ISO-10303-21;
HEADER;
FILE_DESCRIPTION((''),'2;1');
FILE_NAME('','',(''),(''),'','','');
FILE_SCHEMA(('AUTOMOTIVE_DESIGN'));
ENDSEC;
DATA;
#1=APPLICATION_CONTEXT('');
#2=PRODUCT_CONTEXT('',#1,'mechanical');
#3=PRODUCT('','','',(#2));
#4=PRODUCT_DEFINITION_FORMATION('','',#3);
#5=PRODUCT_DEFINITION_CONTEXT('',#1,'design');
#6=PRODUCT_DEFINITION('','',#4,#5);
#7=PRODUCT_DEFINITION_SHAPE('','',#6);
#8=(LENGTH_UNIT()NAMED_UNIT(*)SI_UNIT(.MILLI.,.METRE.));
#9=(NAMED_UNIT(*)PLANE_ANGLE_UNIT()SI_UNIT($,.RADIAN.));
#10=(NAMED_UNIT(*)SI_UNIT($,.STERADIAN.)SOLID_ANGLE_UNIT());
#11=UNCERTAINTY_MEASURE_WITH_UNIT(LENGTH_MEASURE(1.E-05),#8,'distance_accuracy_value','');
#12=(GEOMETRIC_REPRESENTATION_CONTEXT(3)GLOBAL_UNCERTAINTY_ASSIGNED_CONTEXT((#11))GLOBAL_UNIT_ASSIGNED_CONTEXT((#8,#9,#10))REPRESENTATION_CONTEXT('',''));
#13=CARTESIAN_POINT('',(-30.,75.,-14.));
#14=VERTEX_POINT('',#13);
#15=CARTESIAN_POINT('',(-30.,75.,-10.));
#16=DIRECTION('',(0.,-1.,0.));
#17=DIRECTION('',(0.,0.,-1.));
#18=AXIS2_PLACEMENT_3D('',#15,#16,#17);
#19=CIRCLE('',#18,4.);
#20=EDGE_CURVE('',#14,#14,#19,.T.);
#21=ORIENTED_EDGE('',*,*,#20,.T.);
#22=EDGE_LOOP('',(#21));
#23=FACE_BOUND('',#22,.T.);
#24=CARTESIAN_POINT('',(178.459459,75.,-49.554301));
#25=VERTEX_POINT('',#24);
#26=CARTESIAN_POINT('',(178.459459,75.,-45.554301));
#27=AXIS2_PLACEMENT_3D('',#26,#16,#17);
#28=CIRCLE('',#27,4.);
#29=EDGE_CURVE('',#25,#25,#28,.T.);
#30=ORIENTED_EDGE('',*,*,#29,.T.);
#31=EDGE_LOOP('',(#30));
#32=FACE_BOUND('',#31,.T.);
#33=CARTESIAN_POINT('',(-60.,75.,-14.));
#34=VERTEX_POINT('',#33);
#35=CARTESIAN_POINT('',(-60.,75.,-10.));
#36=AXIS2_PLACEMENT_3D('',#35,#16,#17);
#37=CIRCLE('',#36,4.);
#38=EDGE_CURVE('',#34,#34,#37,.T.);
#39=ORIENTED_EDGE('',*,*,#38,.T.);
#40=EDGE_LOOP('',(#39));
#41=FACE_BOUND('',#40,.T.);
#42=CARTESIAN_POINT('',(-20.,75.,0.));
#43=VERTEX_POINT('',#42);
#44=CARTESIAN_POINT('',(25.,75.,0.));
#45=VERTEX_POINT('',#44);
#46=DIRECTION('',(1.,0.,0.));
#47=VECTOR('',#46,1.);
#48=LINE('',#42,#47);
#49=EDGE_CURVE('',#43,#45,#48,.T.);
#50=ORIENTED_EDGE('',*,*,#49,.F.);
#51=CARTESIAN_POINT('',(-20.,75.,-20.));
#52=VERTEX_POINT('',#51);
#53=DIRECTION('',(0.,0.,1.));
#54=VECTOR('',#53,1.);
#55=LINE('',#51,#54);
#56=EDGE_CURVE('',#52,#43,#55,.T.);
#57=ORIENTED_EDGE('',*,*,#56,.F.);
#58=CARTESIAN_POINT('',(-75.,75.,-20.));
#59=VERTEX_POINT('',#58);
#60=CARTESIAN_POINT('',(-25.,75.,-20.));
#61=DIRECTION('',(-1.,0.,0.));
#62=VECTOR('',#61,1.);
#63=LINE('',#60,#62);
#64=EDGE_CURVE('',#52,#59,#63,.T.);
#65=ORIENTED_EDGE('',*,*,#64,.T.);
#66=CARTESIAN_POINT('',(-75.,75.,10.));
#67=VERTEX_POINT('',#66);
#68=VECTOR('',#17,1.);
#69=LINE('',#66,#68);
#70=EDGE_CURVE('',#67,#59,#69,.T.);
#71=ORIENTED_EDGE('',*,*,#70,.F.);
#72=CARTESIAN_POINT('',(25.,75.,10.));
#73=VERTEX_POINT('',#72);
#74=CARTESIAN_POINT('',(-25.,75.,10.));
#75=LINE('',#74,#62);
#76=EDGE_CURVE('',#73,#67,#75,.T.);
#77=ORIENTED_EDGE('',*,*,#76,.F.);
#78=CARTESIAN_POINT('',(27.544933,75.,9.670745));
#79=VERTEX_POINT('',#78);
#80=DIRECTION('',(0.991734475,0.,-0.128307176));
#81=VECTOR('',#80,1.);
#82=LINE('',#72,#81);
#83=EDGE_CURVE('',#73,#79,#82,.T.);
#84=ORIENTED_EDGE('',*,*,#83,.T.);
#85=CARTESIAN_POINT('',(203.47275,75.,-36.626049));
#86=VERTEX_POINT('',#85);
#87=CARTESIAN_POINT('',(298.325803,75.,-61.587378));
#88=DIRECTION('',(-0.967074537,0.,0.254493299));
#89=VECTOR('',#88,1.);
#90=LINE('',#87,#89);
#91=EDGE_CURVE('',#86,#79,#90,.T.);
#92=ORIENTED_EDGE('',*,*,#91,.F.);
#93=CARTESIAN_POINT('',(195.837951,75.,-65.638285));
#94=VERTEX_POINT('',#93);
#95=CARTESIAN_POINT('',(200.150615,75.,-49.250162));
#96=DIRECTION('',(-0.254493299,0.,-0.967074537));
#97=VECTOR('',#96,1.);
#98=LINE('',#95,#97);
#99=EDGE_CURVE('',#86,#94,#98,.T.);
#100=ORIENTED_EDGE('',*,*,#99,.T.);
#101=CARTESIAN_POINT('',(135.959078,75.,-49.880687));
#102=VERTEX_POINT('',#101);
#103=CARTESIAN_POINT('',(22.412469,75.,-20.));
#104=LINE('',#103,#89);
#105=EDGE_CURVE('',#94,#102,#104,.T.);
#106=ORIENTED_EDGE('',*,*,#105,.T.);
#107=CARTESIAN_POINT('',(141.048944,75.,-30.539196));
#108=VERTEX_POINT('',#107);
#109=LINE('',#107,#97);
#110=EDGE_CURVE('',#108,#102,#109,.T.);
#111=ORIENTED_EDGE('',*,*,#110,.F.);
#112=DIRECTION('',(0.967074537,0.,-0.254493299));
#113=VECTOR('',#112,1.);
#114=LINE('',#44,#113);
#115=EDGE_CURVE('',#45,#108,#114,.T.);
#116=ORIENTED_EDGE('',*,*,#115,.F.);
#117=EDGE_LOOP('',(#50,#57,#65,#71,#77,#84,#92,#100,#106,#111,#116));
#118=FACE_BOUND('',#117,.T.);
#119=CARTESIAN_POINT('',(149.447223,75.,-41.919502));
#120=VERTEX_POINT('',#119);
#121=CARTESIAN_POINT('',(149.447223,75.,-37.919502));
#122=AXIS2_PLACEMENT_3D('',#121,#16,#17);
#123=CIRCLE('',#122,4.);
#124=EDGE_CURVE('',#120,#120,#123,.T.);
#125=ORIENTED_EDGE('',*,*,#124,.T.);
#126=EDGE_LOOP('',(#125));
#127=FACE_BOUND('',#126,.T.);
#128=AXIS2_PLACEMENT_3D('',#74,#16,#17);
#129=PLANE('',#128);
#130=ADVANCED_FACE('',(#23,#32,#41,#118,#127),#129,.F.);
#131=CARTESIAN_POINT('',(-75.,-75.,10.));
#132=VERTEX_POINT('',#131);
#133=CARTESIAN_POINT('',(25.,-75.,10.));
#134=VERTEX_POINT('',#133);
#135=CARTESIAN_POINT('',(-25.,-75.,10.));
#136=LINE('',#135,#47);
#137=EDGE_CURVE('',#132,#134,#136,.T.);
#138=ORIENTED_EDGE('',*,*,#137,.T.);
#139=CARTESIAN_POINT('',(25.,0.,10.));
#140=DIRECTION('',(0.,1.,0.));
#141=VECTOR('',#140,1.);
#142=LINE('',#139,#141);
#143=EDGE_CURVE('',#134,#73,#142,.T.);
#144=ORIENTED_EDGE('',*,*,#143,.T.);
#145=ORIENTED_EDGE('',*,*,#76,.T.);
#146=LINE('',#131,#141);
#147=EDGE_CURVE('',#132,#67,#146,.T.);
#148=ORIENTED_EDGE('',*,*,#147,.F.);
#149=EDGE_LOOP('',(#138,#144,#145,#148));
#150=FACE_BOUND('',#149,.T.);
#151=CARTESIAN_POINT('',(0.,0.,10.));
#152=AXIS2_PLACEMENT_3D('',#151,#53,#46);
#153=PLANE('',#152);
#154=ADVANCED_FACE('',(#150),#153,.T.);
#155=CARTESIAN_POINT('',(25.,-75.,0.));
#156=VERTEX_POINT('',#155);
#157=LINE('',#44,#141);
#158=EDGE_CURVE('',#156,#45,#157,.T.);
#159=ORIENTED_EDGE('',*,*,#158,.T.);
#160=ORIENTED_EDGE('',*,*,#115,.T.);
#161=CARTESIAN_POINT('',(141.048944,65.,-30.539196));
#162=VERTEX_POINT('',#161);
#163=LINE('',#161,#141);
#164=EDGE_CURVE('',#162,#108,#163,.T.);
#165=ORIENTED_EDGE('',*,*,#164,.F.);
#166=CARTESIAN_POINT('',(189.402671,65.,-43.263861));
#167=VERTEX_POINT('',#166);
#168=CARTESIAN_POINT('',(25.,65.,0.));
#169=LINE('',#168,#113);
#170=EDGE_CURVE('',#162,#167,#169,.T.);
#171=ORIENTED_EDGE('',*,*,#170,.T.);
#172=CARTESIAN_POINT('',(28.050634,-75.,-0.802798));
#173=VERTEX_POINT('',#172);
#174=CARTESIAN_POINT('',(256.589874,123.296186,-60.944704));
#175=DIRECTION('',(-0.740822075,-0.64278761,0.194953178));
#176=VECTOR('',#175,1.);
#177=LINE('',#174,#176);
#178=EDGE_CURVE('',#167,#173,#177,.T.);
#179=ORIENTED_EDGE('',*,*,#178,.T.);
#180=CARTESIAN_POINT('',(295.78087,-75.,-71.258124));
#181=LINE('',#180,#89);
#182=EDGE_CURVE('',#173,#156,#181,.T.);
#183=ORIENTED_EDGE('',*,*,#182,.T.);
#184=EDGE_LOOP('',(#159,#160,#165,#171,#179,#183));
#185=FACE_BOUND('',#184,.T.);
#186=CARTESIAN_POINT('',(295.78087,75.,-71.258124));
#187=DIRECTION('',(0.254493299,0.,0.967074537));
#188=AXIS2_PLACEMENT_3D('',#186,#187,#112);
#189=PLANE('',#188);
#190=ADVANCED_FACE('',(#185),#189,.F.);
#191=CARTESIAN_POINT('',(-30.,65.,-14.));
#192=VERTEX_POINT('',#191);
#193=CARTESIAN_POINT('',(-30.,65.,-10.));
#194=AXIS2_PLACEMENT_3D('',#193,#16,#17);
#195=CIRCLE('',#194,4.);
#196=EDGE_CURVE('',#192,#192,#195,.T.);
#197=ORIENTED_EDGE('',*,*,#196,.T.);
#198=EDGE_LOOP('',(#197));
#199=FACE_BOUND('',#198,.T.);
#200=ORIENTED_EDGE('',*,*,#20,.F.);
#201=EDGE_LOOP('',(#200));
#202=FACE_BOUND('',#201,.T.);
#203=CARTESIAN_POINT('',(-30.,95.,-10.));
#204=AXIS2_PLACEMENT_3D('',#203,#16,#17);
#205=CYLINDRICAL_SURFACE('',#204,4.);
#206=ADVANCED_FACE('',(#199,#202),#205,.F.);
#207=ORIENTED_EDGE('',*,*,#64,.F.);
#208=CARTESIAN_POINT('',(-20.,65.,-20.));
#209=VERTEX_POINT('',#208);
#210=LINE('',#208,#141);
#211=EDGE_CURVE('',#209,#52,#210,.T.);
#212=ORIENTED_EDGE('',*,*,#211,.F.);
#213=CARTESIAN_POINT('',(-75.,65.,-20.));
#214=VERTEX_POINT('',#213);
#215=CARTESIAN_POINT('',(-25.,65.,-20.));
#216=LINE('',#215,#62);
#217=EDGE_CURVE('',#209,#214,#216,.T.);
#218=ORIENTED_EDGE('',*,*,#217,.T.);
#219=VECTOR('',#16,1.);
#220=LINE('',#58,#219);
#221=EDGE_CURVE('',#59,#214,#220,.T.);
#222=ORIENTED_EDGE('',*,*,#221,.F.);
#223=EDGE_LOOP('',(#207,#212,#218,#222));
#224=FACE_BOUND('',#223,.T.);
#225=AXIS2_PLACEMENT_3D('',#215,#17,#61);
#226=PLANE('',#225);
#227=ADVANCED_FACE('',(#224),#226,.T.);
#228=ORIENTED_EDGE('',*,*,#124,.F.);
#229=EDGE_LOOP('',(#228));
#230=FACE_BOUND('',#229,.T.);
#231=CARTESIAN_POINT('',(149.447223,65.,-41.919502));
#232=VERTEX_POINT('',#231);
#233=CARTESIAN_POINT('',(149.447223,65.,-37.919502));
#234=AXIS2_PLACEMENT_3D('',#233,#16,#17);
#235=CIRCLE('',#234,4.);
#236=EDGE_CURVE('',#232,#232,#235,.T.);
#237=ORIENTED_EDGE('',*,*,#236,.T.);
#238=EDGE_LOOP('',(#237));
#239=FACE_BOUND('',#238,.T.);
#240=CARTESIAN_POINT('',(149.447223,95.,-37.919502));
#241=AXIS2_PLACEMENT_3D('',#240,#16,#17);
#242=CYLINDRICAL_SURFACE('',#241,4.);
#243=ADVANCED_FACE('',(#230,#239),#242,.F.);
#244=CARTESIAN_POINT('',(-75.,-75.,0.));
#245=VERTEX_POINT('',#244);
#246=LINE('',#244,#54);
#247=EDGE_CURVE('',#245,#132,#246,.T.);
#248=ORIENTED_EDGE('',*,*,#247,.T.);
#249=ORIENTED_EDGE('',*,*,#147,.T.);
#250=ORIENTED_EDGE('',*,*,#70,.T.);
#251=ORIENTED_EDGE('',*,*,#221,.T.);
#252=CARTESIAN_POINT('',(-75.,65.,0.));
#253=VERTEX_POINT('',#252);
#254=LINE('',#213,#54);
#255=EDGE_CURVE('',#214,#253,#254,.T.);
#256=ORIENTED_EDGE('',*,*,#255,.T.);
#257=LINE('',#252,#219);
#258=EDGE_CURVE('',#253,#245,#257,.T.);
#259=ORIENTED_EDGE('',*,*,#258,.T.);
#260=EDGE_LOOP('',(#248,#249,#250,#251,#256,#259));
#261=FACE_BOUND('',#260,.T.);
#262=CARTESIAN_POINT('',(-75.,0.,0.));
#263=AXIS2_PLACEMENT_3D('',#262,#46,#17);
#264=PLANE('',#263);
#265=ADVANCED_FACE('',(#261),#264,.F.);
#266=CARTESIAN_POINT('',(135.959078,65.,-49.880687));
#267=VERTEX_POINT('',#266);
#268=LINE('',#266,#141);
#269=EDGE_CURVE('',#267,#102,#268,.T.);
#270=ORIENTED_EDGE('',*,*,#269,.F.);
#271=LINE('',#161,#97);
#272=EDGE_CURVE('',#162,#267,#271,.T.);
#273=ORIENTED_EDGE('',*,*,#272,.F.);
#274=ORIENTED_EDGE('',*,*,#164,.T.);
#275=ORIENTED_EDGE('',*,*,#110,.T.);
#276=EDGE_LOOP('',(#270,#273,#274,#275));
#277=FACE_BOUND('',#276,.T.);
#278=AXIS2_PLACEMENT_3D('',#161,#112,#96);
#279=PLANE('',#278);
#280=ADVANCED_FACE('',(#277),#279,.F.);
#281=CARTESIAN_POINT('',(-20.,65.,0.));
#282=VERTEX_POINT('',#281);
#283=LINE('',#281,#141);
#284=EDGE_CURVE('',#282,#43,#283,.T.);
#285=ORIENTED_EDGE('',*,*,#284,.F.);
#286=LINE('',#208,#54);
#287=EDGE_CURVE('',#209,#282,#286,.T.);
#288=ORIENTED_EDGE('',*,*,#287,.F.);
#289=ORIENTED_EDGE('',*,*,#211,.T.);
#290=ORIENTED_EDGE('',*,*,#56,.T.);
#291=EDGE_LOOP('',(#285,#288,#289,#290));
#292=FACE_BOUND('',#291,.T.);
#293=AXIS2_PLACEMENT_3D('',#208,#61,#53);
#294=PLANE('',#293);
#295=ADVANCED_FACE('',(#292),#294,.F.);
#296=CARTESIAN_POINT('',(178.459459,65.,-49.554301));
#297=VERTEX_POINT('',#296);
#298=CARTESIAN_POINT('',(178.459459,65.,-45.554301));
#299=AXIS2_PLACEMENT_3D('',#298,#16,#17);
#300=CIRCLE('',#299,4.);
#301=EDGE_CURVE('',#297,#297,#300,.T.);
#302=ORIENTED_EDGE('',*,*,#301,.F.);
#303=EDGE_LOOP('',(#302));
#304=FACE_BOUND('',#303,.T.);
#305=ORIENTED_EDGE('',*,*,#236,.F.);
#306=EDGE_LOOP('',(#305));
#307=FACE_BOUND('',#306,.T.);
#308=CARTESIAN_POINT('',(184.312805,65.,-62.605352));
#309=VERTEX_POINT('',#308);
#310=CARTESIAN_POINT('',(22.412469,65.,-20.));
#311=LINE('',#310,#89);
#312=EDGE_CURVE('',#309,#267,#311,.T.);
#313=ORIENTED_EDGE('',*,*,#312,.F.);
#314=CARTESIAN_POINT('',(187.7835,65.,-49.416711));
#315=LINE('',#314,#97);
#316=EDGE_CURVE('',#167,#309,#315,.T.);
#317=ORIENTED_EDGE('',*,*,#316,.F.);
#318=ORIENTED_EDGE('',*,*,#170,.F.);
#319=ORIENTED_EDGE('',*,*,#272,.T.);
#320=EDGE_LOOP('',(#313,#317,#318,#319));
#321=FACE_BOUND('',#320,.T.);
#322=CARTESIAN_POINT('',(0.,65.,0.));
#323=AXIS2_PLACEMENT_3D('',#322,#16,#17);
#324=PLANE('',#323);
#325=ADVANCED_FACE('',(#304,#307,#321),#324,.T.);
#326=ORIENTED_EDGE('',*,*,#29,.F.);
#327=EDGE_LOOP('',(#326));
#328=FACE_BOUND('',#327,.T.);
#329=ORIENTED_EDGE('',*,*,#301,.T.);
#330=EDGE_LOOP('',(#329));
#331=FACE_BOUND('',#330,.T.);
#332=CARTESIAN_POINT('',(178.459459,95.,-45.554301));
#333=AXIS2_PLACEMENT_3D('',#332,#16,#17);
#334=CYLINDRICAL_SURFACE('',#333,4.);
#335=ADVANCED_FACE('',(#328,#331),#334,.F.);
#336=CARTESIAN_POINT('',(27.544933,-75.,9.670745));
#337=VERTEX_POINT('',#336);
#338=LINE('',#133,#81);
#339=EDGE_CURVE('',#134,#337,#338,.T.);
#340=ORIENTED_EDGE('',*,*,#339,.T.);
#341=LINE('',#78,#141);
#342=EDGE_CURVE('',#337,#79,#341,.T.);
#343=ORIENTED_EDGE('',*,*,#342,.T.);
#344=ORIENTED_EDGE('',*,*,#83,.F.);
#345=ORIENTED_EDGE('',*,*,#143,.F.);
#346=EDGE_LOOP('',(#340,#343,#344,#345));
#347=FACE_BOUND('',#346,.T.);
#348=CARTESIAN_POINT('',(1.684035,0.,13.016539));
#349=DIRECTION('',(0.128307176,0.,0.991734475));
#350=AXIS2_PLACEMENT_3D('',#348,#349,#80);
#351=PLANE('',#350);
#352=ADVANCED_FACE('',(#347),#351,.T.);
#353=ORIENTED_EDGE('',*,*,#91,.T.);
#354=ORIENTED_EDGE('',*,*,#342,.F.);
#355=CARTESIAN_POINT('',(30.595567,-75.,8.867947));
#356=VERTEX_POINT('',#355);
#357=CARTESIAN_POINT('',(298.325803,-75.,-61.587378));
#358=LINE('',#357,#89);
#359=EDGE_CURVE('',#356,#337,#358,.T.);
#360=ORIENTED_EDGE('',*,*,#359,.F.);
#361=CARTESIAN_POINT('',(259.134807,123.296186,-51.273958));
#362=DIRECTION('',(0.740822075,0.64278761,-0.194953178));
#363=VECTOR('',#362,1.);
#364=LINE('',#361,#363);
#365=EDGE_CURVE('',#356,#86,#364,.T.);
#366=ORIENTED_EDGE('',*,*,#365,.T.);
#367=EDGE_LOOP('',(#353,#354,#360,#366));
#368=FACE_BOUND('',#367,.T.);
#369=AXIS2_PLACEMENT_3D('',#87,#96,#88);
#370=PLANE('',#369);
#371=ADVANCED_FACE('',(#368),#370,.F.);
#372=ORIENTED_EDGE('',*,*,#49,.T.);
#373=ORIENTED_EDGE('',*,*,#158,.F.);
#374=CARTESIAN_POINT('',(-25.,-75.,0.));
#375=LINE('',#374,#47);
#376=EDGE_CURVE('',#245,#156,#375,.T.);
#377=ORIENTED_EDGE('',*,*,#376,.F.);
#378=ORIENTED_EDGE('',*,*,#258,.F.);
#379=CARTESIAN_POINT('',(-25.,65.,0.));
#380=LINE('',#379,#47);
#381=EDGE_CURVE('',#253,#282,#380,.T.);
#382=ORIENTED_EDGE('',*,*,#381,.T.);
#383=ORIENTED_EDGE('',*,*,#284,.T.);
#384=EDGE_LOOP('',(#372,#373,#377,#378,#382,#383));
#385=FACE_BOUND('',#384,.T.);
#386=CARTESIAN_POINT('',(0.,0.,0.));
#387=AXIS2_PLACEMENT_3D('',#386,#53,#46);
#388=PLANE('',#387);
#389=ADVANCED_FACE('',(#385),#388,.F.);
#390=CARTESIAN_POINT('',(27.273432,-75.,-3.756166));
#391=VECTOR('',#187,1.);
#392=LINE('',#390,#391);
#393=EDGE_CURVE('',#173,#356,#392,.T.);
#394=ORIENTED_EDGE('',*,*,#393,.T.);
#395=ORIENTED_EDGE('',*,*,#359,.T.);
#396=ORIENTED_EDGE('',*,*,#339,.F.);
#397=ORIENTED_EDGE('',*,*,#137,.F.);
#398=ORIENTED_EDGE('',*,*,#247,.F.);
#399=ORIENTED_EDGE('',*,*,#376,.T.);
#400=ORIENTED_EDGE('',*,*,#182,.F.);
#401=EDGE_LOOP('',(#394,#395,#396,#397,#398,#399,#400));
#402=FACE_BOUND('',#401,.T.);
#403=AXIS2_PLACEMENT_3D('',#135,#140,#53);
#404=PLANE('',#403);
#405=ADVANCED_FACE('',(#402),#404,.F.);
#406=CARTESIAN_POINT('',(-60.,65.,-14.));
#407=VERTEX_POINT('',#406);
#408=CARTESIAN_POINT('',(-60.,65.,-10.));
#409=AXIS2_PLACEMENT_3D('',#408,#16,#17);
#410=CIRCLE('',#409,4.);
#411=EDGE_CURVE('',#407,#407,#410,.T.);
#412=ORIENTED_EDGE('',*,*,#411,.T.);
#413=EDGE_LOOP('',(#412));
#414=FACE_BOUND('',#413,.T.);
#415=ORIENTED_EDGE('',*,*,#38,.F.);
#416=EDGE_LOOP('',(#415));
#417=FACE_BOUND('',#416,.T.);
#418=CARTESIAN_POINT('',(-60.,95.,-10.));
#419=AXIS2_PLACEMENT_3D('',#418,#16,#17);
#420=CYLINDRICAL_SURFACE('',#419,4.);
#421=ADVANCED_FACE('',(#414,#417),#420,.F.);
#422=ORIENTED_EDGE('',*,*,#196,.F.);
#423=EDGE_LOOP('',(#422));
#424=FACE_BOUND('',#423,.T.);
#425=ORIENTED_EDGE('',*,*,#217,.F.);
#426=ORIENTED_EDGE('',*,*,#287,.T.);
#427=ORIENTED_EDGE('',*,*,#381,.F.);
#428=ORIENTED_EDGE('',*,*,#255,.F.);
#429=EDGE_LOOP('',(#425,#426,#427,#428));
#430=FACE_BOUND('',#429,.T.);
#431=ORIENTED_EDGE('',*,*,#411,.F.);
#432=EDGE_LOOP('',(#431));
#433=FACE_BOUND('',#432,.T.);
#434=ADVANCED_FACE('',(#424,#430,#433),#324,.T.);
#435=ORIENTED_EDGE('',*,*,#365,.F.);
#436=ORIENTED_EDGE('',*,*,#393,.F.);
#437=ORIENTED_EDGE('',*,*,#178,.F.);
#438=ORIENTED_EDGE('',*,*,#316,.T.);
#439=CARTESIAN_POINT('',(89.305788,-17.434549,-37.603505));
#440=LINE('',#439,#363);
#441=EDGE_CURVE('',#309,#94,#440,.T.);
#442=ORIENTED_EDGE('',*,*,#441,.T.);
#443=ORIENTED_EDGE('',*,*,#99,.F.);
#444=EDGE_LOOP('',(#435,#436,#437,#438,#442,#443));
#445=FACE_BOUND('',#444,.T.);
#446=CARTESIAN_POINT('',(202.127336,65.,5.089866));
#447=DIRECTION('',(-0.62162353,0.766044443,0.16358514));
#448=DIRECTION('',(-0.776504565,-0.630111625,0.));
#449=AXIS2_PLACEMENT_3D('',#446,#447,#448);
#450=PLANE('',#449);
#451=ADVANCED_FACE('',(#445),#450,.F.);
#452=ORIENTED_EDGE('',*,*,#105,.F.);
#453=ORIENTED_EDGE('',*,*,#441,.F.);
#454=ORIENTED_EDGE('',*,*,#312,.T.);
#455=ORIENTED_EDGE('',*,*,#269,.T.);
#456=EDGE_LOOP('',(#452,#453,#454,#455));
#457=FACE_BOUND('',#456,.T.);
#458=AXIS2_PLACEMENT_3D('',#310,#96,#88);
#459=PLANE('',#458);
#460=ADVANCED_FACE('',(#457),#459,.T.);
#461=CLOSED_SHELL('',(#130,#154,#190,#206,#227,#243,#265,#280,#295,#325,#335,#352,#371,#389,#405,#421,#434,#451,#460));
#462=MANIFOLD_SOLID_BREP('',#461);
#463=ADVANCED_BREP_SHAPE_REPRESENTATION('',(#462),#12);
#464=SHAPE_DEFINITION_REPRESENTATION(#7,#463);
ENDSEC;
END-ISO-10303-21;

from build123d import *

# Parameters (mm, degrees)
SKETCH_1_W          = 50
SKETCH_1_H          = 150
EXTRUDE_1_DEPTH     = 10
SKETCH_3_W          = 10
SKETCH_3_H          = 150
EXTRUDE_2_DEPTH     = 280
EXTRUDE_3_DEPTH     = 10
CUT_EXTRUDE_1_DEPTH = 50
EXTRUDE_4_DEPTH     = 50
SKETCH_9_R          = 4
CUT_EXTRUDE_2_DEPTH = 30
CUT_EXTRUDE_4_DEPTH = 10


with BuildPart() as part:
    # 草图1 → 凸台-拉伸1 (new body)
    with BuildSketch(Plane.XY):
        Rectangle(SKETCH_1_W, SKETCH_1_H)
    extrude(amount=EXTRUDE_1_DEPTH)



with BuildPart() as body_2:
    # 草图3 → 凸台-拉伸2 (new body)
    with BuildSketch(Plane(origin=(25, 75, 0), x_dir=(-0.2544932992796438, 0, -0.9670745372626465), z_dir=(0.9670745372626465, 0, -0.2544932992796438))):
        with Locations((-5, -75)):
            Rectangle(SKETCH_3_W, SKETCH_3_H)
    extrude(amount=EXTRUDE_2_DEPTH)


with BuildPart() as part_1:
    add(part.part)

    add(body_2.part)  # 放样8 merges body 2
    # 草图4 → 放样8 section 0
    with BuildSketch(Plane(origin=(25, 0, 0), x_dir=(0, 0, -1), z_dir=(1, 0, 0))):
        with BuildLine():
            Line((-10, 75), (0, 75))
            Line((0, 75), (0, -75))
            Line((0, -75), (-10, -75))
            Line((-10, -75), (-10, 75))
        make_face()
    # 草图5 → 放样8 section 1
    with BuildSketch(Plane(origin=(23.380829016, 0, -6.152849741), x_dir=(0.25449329927964376, 0, 0.9670745372626466), z_dir=(-0.9670745372626466, 0, 0.25449329927964376))):
        with BuildLine():
            Line((6.362332482, 75), (16.362332482, 75))
            Line((16.362332482, 75), (16.362332482, -75))
            Line((16.362332482, -75), (6.362332482, -75))
            Line((6.362332482, -75), (6.362332482, 75))
        make_face()
    loft()

    # 草图6 → 凸台-拉伸3 (add)
    with BuildSketch(Plane(origin=(0, 75, 0), x_dir=(1, 0, 0), z_dir=(0, 1, 0))):
        Polygon((25, 0), (295.780870434, 71.258123798), (290.691004448, 90.599614544), (22.412469182, 20), (-25, 20), (-25, 0), align=None)
    extrude(amount=-EXTRUDE_3_DEPTH)

    # 草图7 → 切除-拉伸1 (cut, symmetric)
    with BuildSketch(Plane(origin=(1.619170984, 0, 6.152849741), x_dir=(-0.9670745372626465, 0, 0.2544932992796438), z_dir=(-0.2544932992796438, 0, -0.9670745372626465))):
        Polygon((-194.176863432, 65), (-24.176863432, -77.6469373), (26.721796424, -75), (44.26157498, -115.472113567), (-316.323525899, -105.286880986), (-321.035103343, 79.29609417), (-302.302762067, 102.681692196), (-235.315396996, 89.416867429), (-227.148078723, 92.666134591), align=None)
    extrude(amount=CUT_EXTRUDE_1_DEPTH, both=True, mode=Mode.SUBTRACT)

    # 草图8 → 凸台-拉伸4 (add)
    with BuildSketch(Plane.ZY.offset(25)):
        Polygon((0, 65), (0, -75), (10, -75), (10, 75), (-20, 75), (-20, 65), align=None)
    extrude(amount=EXTRUDE_4_DEPTH)

    # 草图9 → 切除-拉伸2 (cut)
    with BuildSketch(Plane.XZ.offset(-65)):
        with Locations(Location((-60, -10, 0), (0, 0, 270))):
            Circle(SKETCH_9_R)
        with Locations(Location((-30, -10, 0), (0, 0, 270))):
            Circle(SKETCH_9_R)
        with Locations(Location((178.459459466, -45.554300571, 0), (0, 0, 270))):
            Circle(SKETCH_9_R)
        with Locations(Location((149.447223348, -37.919501593, 0), (0, 0, 270))):
            Circle(SKETCH_9_R)
    extrude(amount=-CUT_EXTRUDE_2_DEPTH, mode=Mode.SUBTRACT)

    # 草图10 → 切除-拉伸4 (cut)
    with BuildSketch(Plane(origin=(0, 75, 0), x_dir=(1, 0, 0), z_dir=(0, 1, 0))):
        Polygon((141.048944472, 30.539195914), (135.959078486, 49.880686659), (22.412469182, 20), (-20, 20), (-20, 0), (25, 0), align=None)
    extrude(amount=-CUT_EXTRUDE_4_DEPTH, mode=Mode.SUBTRACT)


solid = part_1.part
